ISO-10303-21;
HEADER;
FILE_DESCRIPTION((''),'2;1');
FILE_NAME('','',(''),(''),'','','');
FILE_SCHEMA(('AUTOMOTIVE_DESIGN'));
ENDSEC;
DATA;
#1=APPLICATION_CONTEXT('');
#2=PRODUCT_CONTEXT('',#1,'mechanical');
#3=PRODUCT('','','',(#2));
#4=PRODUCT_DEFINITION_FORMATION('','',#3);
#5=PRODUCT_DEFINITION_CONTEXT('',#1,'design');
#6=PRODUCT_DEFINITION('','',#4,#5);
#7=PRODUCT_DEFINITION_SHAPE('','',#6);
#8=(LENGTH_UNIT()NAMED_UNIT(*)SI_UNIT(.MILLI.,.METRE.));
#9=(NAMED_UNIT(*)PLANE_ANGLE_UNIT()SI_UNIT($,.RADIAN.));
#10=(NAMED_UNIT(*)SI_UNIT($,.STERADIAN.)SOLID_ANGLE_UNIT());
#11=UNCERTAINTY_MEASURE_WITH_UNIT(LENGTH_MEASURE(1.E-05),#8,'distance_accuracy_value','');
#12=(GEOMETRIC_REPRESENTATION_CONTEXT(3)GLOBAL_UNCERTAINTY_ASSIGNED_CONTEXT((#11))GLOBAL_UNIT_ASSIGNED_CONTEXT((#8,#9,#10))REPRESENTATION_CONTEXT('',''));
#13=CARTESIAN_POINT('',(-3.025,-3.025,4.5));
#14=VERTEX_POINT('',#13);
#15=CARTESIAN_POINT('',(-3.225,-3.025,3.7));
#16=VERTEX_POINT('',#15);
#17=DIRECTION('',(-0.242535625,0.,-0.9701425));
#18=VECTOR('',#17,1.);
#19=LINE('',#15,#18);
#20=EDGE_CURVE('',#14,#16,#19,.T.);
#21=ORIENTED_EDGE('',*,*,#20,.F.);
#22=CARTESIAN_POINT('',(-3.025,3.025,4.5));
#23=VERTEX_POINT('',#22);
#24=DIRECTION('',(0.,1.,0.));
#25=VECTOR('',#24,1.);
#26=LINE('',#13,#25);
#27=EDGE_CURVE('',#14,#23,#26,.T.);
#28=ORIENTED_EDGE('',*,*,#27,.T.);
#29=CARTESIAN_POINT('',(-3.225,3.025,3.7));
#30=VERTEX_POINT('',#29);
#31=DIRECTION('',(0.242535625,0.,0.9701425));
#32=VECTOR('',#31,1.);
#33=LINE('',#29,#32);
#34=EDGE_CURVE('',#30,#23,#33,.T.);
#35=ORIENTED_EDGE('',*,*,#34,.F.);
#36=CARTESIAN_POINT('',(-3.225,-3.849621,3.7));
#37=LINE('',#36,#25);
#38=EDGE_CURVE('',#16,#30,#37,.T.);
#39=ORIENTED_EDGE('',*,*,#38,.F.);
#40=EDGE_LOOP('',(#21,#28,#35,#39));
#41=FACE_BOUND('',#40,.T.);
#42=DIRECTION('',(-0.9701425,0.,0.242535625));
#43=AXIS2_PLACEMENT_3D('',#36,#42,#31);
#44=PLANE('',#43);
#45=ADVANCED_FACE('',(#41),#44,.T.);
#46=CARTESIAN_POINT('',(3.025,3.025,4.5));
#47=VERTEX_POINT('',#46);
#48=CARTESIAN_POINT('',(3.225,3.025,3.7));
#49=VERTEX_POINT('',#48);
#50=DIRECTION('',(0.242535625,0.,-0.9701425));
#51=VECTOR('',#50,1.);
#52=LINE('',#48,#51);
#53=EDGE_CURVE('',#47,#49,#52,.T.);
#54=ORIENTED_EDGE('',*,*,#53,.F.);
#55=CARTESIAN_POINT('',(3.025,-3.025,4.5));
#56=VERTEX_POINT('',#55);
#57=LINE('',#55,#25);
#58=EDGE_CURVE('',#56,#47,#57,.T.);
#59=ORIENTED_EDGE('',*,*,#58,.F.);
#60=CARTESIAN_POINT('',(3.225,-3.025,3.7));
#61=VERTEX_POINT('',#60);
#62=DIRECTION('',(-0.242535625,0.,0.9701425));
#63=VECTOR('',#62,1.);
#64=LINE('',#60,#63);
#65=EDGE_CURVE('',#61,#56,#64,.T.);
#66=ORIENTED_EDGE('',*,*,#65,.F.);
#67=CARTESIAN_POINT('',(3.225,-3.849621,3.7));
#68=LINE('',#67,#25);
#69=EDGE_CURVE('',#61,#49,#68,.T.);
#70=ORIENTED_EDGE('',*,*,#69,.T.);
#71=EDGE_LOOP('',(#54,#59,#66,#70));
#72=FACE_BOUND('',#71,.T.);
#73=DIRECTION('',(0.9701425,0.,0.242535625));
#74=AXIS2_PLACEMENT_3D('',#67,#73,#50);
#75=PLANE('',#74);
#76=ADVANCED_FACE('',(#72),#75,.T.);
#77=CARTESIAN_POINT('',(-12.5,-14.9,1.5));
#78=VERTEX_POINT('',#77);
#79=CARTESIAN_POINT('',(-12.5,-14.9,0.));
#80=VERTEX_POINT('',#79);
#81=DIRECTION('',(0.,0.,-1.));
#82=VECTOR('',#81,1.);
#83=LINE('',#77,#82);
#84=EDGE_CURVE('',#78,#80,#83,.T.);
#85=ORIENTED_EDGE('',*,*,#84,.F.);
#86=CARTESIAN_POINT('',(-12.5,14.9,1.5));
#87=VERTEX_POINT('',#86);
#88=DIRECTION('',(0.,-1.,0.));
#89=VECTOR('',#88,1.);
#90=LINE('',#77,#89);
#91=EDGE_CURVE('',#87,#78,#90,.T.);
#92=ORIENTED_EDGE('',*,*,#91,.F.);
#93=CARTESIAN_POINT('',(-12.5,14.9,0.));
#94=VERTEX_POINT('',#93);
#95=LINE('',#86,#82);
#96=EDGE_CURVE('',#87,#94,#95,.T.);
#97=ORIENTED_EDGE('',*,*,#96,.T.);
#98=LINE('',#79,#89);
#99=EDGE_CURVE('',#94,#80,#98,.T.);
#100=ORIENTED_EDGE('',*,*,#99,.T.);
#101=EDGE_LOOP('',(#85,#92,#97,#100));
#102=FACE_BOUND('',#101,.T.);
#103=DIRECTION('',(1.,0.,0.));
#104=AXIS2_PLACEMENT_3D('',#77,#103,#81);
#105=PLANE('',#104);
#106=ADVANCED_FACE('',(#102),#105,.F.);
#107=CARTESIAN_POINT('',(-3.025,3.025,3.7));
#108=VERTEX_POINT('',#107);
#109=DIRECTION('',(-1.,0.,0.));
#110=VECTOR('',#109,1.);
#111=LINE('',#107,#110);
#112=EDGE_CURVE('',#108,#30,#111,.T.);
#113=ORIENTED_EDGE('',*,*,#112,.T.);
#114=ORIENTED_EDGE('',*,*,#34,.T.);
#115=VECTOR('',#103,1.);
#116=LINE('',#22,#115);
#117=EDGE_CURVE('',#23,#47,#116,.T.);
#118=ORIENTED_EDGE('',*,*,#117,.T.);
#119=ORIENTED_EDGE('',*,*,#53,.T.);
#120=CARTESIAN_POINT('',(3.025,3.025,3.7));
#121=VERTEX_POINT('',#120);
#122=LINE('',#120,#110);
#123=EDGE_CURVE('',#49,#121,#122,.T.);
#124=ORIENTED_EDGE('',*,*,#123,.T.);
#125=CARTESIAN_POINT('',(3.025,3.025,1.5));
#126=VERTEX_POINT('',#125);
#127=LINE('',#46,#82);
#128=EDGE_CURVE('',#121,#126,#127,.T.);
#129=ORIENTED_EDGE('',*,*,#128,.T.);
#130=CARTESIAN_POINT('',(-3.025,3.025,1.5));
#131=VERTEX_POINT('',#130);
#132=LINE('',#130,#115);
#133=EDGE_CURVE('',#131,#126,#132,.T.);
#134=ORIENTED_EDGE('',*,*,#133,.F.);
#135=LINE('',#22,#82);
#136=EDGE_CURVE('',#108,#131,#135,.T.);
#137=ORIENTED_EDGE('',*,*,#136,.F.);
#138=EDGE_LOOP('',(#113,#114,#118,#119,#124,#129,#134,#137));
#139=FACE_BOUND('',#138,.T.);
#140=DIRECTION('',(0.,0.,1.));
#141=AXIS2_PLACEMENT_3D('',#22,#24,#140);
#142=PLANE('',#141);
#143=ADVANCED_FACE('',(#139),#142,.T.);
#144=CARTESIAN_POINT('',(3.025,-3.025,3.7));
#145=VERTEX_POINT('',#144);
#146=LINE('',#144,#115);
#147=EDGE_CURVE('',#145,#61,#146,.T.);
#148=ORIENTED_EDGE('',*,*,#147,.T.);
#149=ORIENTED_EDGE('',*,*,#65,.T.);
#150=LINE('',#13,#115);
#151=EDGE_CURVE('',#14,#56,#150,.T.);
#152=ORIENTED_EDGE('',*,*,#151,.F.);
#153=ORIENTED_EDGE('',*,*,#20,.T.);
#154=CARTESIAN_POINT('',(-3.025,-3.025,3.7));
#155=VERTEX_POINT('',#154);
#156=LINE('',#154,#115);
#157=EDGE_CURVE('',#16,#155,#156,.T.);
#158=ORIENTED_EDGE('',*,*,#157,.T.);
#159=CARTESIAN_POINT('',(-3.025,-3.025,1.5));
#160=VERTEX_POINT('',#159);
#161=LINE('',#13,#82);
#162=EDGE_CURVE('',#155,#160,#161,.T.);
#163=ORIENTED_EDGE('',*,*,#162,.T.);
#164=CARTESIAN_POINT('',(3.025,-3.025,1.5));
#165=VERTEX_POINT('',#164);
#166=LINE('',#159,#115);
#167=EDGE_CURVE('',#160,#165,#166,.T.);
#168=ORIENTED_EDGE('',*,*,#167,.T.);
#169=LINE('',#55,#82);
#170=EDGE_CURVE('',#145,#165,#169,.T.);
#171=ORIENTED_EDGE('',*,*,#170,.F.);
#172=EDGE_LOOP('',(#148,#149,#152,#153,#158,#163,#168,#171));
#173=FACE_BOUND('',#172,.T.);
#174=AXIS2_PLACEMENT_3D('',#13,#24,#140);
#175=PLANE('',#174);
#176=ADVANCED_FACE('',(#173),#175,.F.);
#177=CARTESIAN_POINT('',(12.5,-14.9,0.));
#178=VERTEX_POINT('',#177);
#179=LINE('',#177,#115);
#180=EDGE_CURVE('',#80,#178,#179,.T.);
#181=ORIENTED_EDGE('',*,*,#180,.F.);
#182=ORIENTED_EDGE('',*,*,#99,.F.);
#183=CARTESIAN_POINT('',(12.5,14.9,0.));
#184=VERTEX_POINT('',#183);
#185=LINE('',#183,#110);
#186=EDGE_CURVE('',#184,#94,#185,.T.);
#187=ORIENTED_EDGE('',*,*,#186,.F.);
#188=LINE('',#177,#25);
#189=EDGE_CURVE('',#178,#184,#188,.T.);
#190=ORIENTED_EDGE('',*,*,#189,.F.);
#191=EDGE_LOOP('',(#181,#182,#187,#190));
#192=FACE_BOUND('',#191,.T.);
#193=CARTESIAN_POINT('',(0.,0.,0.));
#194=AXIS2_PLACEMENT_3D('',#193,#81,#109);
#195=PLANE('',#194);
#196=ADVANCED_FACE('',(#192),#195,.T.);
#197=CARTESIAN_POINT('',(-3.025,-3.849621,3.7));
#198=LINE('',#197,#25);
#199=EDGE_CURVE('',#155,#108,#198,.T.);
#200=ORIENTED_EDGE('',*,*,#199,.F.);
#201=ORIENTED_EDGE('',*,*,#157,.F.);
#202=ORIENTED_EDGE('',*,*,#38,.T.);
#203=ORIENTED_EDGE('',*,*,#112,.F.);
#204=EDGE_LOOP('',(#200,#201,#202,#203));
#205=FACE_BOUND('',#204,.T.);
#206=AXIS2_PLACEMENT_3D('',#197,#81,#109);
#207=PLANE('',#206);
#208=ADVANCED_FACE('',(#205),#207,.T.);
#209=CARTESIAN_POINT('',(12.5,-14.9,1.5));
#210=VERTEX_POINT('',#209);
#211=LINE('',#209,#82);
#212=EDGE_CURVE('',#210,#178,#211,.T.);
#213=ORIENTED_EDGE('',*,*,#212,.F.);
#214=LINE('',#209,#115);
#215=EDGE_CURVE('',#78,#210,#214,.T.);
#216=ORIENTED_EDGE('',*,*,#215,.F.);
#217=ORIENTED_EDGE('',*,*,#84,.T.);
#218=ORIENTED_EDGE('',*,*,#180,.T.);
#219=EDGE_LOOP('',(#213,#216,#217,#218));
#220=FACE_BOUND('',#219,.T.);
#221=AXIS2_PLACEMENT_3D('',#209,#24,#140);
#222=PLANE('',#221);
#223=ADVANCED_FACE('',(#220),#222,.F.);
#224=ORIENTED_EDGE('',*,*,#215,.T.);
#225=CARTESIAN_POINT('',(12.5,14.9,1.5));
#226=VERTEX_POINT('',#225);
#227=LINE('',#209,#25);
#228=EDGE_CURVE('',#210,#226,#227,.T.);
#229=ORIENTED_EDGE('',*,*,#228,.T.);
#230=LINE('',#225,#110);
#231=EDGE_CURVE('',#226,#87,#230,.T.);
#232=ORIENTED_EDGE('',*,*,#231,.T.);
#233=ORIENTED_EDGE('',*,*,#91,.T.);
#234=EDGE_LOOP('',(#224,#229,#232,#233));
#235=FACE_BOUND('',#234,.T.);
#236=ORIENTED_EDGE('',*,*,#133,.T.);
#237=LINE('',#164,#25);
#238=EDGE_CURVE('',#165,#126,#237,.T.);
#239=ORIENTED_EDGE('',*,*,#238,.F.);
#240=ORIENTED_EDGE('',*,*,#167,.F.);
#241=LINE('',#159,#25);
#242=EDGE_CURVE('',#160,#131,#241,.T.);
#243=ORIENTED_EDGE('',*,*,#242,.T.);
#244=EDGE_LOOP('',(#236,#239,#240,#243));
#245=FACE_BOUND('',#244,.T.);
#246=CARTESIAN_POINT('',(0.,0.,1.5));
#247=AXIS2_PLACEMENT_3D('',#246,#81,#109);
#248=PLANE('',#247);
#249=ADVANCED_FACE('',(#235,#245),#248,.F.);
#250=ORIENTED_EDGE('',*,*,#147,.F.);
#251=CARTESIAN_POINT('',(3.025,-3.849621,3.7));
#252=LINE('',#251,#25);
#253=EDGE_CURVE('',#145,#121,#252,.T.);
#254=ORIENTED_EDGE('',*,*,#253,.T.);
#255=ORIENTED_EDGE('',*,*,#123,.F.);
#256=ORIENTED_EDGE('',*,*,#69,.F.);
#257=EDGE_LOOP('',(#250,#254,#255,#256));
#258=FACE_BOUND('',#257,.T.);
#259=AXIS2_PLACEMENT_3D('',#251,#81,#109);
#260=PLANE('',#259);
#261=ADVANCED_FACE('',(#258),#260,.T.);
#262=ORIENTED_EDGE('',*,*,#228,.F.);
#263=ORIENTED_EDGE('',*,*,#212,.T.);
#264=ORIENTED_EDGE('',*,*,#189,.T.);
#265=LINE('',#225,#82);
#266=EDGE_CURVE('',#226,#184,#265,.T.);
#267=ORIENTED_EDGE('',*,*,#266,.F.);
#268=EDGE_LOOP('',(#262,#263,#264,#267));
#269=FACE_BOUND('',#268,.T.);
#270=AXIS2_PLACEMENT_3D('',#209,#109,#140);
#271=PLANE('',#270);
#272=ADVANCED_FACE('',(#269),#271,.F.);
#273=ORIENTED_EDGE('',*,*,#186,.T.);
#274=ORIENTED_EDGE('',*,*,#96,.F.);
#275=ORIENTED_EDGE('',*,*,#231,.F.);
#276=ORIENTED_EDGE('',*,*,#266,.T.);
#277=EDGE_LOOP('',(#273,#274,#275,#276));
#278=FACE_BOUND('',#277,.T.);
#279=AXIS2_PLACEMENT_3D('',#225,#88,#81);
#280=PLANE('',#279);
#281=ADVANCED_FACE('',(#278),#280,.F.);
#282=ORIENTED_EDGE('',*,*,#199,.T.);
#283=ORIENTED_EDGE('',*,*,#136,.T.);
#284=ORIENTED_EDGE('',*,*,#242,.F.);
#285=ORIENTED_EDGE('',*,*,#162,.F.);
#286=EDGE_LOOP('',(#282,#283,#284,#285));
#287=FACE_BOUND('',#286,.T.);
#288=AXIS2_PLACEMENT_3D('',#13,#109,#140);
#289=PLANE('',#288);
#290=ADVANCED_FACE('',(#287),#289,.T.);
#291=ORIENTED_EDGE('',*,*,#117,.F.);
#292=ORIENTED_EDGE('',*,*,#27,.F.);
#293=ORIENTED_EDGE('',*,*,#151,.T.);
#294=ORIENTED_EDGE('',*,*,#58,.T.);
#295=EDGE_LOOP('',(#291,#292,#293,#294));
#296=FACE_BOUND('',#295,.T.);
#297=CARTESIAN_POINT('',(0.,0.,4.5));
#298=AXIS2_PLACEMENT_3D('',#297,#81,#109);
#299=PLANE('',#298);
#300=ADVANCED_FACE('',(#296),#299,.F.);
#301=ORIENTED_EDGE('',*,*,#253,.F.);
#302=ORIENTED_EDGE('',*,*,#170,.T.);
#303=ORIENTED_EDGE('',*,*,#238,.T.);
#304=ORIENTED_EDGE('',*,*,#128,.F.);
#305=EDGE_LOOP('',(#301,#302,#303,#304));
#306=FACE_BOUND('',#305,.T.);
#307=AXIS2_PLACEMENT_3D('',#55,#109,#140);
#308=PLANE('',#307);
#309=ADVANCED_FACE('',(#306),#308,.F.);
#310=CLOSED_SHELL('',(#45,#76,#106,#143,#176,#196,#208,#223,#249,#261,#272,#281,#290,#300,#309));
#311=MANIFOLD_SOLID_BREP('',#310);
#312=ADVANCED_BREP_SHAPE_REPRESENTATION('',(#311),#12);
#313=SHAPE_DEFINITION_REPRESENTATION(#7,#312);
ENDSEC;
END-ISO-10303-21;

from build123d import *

# Parameters (mm, degrees)
SKETCH2_W           = 29.8
SKETCH2_H           = 25
BOSS_EXTRUDE1_DEPTH = 1.5
SKETCH3_W           = 6.05
SKETCH3_H           = 6.05
BOSS_EXTRUDE2_DEPTH = 3
BOSS_EXTRUDE3_DEPTH = 6.05


with BuildPart() as part:
    # Sketch2 → Boss-Extrude1 (new body)
    with BuildSketch(Plane(origin=(0, 0, 0), x_dir=(0, 1, 0), z_dir=(0, 0, 1))):
        Rectangle(SKETCH2_W, SKETCH2_H)
    extrude(amount=BOSS_EXTRUDE1_DEPTH)

    # Sketch3 → Boss-Extrude2 (add)
    with BuildSketch(Plane.XY.offset(1.5)):
        Rectangle(SKETCH3_W, SKETCH3_H)
    extrude(amount=BOSS_EXTRUDE2_DEPTH)

    # Sketch4 → Boss-Extrude3 (add)
    with BuildSketch(Plane(origin=(0, 3.025, 0), x_dir=(-1, 0, 0), z_dir=(0, 1, 0))):
        Polygon((-3.025, 4.5), (-3.025, 3.7), (-3.225, 3.7), align=None)
        Polygon((3.225, 3.7), (3.025, 4.5), (3.025, 3.7), align=None)
    extrude(amount=-BOSS_EXTRUDE3_DEPTH)


solid = part.part
